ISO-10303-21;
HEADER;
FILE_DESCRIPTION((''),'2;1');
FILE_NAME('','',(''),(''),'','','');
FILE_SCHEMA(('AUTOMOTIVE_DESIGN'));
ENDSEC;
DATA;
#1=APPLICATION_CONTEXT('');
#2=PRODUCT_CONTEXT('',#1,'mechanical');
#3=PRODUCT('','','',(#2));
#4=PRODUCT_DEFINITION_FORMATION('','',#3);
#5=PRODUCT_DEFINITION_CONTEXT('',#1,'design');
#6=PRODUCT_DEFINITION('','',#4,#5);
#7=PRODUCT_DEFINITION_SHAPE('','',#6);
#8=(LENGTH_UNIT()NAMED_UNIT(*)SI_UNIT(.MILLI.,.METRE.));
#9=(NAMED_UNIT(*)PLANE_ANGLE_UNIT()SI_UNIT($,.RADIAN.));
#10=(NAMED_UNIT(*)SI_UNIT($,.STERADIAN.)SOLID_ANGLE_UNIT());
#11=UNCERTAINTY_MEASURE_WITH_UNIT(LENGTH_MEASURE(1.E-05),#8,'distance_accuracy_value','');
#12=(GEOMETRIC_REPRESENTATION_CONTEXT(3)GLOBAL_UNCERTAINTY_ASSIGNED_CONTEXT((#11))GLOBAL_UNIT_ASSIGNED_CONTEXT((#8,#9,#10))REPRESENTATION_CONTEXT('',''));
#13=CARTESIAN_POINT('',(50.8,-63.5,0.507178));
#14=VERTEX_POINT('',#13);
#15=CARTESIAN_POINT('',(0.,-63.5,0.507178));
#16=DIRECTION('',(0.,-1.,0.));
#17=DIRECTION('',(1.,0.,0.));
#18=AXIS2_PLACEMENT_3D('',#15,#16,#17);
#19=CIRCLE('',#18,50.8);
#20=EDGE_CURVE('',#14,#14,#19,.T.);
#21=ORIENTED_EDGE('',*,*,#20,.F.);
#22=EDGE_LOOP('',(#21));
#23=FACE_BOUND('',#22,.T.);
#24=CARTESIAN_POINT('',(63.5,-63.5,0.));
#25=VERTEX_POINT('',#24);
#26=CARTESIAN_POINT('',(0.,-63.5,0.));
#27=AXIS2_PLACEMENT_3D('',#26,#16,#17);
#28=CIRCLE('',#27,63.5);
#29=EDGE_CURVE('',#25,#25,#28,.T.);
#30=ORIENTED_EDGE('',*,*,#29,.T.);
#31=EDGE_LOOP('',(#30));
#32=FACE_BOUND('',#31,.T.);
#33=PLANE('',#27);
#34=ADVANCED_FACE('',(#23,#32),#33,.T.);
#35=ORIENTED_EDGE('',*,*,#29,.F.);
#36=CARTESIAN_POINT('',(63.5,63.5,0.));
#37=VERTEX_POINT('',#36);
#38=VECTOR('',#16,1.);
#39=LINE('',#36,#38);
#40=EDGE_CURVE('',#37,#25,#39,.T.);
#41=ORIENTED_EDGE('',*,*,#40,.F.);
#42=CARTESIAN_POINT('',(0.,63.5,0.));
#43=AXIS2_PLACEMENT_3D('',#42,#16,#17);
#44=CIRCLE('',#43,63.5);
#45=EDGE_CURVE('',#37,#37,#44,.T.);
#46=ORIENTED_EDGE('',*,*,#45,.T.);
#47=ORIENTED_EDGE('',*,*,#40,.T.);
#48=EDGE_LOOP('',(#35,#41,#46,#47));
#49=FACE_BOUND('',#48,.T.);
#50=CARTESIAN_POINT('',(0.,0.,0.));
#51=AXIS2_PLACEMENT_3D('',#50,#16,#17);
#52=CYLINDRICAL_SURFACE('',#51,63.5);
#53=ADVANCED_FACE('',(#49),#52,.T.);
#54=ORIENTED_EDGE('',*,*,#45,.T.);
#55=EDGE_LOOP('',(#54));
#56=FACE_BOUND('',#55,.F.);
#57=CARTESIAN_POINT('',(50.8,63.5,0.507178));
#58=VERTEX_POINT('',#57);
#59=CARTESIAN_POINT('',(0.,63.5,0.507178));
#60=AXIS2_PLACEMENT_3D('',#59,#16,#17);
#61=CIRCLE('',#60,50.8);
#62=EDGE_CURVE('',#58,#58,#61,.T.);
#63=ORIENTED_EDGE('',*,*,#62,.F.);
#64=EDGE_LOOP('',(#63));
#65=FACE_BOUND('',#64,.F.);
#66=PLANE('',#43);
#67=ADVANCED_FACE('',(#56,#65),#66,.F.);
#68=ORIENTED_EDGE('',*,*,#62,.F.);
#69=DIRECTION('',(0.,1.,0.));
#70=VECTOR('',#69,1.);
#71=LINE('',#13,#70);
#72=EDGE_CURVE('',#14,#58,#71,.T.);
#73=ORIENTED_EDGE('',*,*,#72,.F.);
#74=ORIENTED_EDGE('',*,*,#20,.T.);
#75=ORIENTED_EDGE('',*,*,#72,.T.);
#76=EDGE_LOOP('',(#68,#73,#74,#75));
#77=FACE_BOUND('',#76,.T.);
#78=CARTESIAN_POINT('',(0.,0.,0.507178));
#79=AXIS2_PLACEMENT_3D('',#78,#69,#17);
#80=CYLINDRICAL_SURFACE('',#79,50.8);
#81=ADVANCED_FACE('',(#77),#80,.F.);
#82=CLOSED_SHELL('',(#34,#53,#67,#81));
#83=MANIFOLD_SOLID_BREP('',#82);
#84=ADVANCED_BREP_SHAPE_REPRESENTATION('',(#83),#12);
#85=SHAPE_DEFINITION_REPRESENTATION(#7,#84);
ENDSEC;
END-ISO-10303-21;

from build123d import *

# Parameters (mm, degrees)
F0_R     = 63.5
F0_R_2   = 50.8
F1_DEPTH = 63.5


with BuildPart() as f1:
    # F0 (on Front) → F1 (new body, symmetric)
    with BuildSketch(Plane.XZ):
        Circle(F0_R)
        with Locations((0, 0.507178)):
            Circle(F0_R_2, mode=Mode.SUBTRACT)
    extrude(amount=F1_DEPTH, both=True)


solid = f1.part
